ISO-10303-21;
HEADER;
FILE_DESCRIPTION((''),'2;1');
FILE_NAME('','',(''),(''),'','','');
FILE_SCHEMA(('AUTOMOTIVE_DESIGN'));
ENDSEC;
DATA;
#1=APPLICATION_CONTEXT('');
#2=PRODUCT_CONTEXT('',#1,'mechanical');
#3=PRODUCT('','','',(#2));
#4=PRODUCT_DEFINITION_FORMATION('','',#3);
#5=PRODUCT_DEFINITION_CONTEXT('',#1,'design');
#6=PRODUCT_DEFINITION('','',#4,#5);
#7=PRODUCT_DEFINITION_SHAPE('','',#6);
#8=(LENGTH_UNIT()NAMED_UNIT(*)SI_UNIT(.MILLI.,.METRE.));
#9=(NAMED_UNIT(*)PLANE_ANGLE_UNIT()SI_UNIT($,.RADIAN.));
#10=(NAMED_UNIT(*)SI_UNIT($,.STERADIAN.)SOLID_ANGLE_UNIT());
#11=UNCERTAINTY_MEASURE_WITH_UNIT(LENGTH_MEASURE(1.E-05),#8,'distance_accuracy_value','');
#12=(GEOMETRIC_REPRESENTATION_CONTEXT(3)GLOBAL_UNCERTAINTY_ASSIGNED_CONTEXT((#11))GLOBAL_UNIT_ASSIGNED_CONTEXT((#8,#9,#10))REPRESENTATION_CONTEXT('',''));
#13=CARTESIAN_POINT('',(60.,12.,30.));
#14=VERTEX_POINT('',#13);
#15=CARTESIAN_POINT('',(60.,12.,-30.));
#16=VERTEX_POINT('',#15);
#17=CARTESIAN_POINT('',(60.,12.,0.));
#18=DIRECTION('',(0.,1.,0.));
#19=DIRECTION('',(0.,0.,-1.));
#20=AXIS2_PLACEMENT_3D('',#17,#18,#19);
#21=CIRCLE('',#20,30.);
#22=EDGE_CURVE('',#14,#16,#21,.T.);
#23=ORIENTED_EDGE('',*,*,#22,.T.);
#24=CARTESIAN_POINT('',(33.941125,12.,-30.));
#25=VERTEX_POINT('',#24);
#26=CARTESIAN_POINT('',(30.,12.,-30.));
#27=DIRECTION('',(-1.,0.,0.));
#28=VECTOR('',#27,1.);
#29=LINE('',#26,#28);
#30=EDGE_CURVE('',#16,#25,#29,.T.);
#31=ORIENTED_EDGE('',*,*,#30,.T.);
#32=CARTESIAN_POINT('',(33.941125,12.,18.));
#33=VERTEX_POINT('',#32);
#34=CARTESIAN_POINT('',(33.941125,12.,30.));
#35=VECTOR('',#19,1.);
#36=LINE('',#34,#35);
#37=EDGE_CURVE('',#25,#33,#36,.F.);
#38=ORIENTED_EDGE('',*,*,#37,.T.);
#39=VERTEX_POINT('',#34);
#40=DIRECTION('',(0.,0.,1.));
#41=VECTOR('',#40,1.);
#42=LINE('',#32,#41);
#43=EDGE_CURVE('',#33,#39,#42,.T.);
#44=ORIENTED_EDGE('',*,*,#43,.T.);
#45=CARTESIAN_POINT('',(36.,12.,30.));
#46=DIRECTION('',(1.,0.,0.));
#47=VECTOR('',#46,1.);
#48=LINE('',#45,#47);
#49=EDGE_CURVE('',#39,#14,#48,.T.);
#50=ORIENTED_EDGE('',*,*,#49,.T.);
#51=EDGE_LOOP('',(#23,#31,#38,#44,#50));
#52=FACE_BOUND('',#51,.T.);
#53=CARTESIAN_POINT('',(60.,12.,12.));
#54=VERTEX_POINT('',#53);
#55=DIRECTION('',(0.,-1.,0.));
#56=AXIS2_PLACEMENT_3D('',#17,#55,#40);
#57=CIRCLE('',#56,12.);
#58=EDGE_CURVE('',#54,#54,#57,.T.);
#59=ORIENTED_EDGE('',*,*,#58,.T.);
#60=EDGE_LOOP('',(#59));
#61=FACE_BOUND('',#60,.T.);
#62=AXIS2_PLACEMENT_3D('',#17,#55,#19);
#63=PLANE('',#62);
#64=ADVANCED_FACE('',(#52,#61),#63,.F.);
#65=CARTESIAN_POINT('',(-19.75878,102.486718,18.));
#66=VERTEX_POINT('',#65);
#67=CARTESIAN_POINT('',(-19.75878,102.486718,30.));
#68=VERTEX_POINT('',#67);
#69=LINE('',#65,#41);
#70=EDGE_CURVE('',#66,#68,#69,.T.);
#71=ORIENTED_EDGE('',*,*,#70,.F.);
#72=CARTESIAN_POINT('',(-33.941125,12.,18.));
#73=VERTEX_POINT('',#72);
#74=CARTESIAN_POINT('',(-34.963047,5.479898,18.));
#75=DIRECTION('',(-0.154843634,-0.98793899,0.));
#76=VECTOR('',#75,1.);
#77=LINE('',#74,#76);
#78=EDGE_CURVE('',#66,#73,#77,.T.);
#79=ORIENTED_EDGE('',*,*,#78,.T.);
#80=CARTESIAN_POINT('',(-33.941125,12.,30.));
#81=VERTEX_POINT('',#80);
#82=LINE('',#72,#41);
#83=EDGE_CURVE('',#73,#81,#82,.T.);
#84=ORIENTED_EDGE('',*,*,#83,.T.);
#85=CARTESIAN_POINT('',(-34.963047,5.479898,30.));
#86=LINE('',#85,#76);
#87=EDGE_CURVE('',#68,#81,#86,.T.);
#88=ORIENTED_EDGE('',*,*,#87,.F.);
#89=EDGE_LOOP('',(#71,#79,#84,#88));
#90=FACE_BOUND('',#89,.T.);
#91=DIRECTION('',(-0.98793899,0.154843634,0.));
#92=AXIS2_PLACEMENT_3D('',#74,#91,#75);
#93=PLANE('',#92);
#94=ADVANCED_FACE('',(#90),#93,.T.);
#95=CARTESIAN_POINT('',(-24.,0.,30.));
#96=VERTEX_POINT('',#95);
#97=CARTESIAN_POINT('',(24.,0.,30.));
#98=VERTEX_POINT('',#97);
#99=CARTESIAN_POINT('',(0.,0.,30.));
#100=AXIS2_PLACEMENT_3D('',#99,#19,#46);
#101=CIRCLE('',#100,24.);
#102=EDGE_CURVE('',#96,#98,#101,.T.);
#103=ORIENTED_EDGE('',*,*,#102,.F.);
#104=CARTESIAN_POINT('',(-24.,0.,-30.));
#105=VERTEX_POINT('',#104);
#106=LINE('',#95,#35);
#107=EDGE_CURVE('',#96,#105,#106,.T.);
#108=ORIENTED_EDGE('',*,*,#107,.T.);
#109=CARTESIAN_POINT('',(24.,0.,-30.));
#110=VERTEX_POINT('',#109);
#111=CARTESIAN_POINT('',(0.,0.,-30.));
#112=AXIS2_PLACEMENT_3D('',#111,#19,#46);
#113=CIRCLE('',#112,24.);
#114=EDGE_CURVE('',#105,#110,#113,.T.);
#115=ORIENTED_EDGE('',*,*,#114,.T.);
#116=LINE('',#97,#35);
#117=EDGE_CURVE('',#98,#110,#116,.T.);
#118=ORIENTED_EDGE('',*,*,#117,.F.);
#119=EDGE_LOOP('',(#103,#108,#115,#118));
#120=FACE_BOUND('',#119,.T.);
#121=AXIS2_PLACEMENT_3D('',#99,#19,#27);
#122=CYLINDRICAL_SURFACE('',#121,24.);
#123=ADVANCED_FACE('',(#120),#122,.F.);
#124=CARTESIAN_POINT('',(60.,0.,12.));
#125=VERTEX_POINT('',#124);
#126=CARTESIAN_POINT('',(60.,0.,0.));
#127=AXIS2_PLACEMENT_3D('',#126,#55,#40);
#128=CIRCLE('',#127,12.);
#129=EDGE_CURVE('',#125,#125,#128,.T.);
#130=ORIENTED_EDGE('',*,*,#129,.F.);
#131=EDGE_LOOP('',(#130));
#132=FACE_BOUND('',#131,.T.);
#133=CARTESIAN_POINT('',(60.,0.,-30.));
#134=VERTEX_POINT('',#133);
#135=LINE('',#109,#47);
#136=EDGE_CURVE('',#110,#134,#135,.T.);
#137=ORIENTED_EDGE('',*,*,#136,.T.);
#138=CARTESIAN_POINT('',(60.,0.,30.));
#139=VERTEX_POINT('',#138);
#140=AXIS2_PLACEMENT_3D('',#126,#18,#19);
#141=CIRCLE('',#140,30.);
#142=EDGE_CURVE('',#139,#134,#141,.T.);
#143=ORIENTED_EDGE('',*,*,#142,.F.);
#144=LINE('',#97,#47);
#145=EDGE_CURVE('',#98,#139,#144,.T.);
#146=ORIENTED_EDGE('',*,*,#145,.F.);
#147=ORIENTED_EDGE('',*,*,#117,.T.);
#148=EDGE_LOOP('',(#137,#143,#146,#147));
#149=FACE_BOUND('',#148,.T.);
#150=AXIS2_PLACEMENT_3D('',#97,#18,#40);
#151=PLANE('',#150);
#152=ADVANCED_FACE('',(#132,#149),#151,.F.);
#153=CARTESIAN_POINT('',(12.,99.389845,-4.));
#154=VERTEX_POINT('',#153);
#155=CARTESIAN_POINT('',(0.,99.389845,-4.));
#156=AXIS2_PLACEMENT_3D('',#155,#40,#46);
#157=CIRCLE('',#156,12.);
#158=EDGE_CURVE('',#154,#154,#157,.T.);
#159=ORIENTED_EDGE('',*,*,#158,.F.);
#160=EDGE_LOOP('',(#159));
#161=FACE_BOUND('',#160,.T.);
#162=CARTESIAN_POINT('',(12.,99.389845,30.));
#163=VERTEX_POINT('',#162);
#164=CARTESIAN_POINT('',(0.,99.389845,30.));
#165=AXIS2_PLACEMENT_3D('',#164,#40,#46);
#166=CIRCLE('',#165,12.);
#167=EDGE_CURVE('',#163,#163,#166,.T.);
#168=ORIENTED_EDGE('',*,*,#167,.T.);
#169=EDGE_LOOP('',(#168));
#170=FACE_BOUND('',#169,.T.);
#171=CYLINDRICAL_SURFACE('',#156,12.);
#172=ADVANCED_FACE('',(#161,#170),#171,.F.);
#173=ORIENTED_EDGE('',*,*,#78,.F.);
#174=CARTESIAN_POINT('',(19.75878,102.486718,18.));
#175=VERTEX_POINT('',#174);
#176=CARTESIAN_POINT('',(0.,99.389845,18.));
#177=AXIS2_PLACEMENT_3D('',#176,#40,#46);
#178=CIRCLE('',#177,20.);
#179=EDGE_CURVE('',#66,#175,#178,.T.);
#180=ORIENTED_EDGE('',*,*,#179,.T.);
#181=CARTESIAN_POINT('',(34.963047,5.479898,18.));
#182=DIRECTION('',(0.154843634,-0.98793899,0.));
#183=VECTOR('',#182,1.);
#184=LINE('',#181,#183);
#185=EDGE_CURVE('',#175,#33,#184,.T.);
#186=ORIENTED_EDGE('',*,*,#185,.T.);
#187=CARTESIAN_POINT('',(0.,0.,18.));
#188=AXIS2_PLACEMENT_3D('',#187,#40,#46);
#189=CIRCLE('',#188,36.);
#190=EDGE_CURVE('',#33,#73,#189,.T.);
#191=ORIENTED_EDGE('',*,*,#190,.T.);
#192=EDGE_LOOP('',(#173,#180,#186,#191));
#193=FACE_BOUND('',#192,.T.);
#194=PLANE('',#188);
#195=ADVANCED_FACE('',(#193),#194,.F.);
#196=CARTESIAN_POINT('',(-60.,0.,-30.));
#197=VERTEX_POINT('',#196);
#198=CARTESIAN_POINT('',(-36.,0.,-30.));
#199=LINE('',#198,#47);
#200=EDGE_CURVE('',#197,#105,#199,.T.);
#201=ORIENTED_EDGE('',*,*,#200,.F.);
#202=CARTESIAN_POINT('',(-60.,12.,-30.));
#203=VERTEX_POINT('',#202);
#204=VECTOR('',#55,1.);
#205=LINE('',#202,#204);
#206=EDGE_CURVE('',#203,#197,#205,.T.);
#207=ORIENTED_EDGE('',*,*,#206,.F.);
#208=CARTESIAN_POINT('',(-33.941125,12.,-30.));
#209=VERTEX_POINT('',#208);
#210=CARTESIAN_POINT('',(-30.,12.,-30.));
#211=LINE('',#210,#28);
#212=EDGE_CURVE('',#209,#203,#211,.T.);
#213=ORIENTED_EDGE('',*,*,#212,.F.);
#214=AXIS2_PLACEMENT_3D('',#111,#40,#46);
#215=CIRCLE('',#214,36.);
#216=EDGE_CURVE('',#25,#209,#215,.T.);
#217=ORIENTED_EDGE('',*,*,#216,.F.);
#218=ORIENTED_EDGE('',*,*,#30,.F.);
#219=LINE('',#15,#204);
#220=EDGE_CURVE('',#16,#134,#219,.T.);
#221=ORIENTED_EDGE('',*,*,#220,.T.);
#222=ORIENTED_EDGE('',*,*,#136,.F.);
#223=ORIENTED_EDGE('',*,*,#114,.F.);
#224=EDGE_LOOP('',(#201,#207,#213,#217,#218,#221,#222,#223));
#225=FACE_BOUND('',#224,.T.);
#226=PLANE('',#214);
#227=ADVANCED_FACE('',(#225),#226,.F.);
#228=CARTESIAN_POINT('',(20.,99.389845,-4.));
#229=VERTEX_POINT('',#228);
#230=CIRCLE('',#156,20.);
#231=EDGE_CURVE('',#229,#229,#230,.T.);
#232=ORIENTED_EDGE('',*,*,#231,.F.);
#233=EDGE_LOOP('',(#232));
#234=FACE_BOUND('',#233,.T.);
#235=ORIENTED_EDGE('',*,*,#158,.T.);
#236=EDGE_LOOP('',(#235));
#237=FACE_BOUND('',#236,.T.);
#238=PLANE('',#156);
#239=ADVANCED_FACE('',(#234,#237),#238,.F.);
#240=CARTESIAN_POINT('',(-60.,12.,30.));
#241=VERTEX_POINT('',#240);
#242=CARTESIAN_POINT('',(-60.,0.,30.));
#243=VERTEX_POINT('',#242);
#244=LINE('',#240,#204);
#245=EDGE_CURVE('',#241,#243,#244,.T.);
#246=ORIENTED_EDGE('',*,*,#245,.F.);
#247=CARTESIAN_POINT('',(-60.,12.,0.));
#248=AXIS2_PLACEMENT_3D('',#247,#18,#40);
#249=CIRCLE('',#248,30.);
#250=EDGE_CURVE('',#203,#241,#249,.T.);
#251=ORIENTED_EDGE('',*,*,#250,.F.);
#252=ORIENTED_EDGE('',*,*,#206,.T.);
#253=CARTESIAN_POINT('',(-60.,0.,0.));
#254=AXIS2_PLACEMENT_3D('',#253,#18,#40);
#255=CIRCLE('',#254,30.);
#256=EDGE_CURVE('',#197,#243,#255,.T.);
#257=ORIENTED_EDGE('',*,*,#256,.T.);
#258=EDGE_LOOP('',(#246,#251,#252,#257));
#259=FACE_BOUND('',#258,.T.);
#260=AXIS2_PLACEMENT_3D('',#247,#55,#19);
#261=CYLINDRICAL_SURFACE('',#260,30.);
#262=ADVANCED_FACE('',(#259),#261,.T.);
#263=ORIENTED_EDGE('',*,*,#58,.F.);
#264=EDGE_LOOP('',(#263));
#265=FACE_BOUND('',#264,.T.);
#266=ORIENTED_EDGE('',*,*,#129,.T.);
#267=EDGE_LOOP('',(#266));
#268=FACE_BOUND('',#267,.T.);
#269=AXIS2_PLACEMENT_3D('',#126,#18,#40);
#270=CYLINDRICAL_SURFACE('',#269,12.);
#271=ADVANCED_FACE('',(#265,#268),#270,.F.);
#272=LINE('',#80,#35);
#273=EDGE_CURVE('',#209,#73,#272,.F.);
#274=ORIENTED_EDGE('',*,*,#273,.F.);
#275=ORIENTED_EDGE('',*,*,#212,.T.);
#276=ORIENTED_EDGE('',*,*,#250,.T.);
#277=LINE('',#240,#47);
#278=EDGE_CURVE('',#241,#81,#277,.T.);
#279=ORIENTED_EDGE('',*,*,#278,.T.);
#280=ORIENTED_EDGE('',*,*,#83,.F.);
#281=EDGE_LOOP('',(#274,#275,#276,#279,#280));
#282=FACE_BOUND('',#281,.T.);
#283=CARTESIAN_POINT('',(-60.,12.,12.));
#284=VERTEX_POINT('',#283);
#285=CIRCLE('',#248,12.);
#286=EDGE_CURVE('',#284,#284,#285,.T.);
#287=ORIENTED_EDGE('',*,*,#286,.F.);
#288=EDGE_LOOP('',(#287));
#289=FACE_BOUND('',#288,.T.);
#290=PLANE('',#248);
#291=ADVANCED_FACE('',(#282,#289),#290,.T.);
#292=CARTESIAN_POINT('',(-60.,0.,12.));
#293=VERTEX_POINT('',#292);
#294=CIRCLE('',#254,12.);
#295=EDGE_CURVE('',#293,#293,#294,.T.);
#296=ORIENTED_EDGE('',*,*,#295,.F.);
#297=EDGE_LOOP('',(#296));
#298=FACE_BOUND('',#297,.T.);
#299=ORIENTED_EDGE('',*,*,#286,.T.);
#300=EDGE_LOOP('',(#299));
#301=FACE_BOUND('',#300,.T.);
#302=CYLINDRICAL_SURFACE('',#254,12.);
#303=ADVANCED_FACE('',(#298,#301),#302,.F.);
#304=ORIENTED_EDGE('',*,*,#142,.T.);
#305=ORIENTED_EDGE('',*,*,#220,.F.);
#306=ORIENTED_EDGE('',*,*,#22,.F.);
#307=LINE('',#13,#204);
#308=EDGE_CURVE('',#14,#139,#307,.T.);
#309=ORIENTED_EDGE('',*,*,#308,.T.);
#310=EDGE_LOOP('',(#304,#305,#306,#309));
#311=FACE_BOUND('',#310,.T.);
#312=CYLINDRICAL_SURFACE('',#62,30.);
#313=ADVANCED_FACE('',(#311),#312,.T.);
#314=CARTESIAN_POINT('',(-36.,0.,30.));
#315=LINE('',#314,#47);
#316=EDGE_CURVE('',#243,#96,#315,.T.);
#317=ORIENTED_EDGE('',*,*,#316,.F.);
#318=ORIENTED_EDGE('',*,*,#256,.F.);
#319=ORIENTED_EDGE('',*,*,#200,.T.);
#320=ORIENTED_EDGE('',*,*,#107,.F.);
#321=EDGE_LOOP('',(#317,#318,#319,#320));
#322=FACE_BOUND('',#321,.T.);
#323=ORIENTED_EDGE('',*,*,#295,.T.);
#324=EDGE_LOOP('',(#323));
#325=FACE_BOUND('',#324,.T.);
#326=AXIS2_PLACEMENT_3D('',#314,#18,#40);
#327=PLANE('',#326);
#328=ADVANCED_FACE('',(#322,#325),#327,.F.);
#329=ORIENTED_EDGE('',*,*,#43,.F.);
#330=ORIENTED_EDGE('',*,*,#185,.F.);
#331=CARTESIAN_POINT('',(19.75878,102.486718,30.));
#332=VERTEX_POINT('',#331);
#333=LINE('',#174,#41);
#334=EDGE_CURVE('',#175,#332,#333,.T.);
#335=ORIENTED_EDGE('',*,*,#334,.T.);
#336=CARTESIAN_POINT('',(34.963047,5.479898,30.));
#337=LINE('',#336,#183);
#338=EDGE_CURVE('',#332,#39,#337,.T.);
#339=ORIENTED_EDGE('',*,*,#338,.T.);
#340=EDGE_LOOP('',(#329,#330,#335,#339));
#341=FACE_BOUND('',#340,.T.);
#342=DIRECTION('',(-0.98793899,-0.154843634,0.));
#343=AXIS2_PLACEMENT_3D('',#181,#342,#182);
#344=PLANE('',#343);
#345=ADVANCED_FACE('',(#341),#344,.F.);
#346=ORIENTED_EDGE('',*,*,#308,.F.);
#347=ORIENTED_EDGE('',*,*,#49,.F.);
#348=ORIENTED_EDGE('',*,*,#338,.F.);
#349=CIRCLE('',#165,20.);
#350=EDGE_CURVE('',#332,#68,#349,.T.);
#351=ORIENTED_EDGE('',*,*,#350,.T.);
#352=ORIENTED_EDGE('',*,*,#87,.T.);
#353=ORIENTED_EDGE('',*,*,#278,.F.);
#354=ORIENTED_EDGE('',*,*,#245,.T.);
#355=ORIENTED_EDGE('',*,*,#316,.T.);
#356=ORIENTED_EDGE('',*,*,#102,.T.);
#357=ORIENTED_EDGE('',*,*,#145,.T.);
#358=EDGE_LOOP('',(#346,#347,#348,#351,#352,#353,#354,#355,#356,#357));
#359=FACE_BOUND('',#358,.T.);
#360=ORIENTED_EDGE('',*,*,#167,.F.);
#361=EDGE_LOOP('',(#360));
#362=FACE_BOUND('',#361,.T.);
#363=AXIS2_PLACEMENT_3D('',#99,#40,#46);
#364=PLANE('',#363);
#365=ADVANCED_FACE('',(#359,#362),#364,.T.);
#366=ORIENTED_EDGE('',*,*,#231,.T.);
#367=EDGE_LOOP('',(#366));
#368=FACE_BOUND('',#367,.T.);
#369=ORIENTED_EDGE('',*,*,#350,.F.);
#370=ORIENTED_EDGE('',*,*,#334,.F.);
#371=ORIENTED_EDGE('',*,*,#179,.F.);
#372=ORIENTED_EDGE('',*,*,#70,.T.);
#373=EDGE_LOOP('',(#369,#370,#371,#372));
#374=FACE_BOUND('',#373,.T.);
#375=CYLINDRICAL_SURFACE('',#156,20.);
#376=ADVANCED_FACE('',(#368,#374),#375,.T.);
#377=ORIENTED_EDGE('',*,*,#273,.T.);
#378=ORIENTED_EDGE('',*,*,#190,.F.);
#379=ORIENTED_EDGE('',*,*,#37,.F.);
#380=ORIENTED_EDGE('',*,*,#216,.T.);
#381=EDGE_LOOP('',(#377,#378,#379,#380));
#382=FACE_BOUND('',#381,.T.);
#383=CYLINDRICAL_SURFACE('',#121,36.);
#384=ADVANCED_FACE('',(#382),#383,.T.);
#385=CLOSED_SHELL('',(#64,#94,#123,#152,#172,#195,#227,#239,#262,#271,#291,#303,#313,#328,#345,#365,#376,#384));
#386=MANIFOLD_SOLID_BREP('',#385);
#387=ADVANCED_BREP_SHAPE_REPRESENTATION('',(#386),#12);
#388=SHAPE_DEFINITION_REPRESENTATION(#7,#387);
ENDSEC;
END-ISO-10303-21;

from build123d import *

# Parameters (mm, degrees)
BOSS_EXTRUDE1_DEPTH = 30
BOSS_EXTRUDE2_DEPTH = 12
SKETCH4_R           = 20
BOSS_EXTRUDE3_DEPTH = 34
SKETCH4_3_R         = 12
CUT_EXTRUDE1_DEPTH  = 34
BOSS_EXTRUDE4_DEPTH = 12
SKETCH5_R           = 12
CUT_EXTRUDE2_DEPTH  = 144.291935896


with BuildPart() as part:
    # Sketch2 → Boss-Extrude1 (new, symmetric)
    with BuildSketch(Plane.XY):
        with BuildLine():
            Line((-36, 0), (-24, 0))
            ThreePointArc((-24, 0), (0, 24), (24, 0))
            Line((24, 0), (36, 0))
            ThreePointArc((36, 0), (0, 36), (-36, 0))
        make_face()
    extrude(amount=BOSS_EXTRUDE1_DEPTH, both=True)

    # Sketch3 → Boss-Extrude2 (add)
    with BuildSketch(Plane(origin=(0, 0, 0), x_dir=(1, 0, 0), z_dir=(0, 1, 0))):
        with BuildLine():
            Line((36, 30), (60, 30))
            ThreePointArc((60, 30), (90, 0), (60, -30))
            Line((60, -30), (36, -30))
            Line((36, -30), (30, -30))
            Line((30, -30), (30, 30))
            Line((30, 30), (36, 30))
        make_face()
        with BuildLine():
            Line((-30, 30), (-36, 30))
            Line((-36, 30), (-60, 30))
            ThreePointArc((-60, 30), (-90, 0), (-60, -30))
            Line((-60, -30), (-36, -30))
            Line((-36, -30), (-30, -30))
            Line((-30, -30), (-30, 30))
        make_face()
    extrude(amount=BOSS_EXTRUDE2_DEPTH)



with BuildPart() as body_2:
    # Sketch4 → Boss-Extrude3 (new body)
    with BuildSketch(Plane.XY.offset(30)):
        with Locations((0, 99.389845389)):
            Circle(SKETCH4_R)
    extrude(amount=-BOSS_EXTRUDE3_DEPTH)

    # Sketch4<3> → Cut-Extrude1 (cut)
    with BuildSketch(Plane.XY.offset(30)):
        with Locations((0, 99.389845389)):
            Circle(SKETCH4_3_R)
    extrude(amount=-CUT_EXTRUDE1_DEPTH, mode=Mode.SUBTRACT)


with BuildPart() as part_1:
    add(part.part)

    add(body_2.part)  # Boss-Extrude4 merges body 2
    # Sketch4<4> → Boss-Extrude4 (add)
    with BuildSketch(Plane.XY.offset(30)):
        with BuildLine():
            ThreePointArc((-33.941125497, 12), (0, 36), (33.941125497, 12))
            Line((33.941125497, 12), (19.75877981, 102.486718075))
            ThreePointArc((19.75877981, 102.486718075), (0, 79.389845389), (-19.75877981, 102.486718075))
            Line((-19.75877981, 102.486718075), (-33.941125497, 12))
        make_face()
    extrude(amount=-BOSS_EXTRUDE4_DEPTH)

    # Sketch5 → Cut-Extrude2 (cut, through all)
    with BuildSketch(Plane(origin=(0, 12, 0), x_dir=(1, 0, 0), z_dir=(0, 1, 0))):
        with Locations((-60, 0)):
            Circle(SKETCH5_R)
    cut_extrude2 = extrude(amount=-CUT_EXTRUDE2_DEPTH, mode=Mode.SUBTRACT)

    # Mirror1: Cut-Extrude2 across plane
    add(cut_extrude2.mirror(Plane(origin=(0, 0, 0), x_dir=(0, 0, 1), z_dir=(1, 0, 0))), mode=Mode.SUBTRACT)


solid = part_1.part
